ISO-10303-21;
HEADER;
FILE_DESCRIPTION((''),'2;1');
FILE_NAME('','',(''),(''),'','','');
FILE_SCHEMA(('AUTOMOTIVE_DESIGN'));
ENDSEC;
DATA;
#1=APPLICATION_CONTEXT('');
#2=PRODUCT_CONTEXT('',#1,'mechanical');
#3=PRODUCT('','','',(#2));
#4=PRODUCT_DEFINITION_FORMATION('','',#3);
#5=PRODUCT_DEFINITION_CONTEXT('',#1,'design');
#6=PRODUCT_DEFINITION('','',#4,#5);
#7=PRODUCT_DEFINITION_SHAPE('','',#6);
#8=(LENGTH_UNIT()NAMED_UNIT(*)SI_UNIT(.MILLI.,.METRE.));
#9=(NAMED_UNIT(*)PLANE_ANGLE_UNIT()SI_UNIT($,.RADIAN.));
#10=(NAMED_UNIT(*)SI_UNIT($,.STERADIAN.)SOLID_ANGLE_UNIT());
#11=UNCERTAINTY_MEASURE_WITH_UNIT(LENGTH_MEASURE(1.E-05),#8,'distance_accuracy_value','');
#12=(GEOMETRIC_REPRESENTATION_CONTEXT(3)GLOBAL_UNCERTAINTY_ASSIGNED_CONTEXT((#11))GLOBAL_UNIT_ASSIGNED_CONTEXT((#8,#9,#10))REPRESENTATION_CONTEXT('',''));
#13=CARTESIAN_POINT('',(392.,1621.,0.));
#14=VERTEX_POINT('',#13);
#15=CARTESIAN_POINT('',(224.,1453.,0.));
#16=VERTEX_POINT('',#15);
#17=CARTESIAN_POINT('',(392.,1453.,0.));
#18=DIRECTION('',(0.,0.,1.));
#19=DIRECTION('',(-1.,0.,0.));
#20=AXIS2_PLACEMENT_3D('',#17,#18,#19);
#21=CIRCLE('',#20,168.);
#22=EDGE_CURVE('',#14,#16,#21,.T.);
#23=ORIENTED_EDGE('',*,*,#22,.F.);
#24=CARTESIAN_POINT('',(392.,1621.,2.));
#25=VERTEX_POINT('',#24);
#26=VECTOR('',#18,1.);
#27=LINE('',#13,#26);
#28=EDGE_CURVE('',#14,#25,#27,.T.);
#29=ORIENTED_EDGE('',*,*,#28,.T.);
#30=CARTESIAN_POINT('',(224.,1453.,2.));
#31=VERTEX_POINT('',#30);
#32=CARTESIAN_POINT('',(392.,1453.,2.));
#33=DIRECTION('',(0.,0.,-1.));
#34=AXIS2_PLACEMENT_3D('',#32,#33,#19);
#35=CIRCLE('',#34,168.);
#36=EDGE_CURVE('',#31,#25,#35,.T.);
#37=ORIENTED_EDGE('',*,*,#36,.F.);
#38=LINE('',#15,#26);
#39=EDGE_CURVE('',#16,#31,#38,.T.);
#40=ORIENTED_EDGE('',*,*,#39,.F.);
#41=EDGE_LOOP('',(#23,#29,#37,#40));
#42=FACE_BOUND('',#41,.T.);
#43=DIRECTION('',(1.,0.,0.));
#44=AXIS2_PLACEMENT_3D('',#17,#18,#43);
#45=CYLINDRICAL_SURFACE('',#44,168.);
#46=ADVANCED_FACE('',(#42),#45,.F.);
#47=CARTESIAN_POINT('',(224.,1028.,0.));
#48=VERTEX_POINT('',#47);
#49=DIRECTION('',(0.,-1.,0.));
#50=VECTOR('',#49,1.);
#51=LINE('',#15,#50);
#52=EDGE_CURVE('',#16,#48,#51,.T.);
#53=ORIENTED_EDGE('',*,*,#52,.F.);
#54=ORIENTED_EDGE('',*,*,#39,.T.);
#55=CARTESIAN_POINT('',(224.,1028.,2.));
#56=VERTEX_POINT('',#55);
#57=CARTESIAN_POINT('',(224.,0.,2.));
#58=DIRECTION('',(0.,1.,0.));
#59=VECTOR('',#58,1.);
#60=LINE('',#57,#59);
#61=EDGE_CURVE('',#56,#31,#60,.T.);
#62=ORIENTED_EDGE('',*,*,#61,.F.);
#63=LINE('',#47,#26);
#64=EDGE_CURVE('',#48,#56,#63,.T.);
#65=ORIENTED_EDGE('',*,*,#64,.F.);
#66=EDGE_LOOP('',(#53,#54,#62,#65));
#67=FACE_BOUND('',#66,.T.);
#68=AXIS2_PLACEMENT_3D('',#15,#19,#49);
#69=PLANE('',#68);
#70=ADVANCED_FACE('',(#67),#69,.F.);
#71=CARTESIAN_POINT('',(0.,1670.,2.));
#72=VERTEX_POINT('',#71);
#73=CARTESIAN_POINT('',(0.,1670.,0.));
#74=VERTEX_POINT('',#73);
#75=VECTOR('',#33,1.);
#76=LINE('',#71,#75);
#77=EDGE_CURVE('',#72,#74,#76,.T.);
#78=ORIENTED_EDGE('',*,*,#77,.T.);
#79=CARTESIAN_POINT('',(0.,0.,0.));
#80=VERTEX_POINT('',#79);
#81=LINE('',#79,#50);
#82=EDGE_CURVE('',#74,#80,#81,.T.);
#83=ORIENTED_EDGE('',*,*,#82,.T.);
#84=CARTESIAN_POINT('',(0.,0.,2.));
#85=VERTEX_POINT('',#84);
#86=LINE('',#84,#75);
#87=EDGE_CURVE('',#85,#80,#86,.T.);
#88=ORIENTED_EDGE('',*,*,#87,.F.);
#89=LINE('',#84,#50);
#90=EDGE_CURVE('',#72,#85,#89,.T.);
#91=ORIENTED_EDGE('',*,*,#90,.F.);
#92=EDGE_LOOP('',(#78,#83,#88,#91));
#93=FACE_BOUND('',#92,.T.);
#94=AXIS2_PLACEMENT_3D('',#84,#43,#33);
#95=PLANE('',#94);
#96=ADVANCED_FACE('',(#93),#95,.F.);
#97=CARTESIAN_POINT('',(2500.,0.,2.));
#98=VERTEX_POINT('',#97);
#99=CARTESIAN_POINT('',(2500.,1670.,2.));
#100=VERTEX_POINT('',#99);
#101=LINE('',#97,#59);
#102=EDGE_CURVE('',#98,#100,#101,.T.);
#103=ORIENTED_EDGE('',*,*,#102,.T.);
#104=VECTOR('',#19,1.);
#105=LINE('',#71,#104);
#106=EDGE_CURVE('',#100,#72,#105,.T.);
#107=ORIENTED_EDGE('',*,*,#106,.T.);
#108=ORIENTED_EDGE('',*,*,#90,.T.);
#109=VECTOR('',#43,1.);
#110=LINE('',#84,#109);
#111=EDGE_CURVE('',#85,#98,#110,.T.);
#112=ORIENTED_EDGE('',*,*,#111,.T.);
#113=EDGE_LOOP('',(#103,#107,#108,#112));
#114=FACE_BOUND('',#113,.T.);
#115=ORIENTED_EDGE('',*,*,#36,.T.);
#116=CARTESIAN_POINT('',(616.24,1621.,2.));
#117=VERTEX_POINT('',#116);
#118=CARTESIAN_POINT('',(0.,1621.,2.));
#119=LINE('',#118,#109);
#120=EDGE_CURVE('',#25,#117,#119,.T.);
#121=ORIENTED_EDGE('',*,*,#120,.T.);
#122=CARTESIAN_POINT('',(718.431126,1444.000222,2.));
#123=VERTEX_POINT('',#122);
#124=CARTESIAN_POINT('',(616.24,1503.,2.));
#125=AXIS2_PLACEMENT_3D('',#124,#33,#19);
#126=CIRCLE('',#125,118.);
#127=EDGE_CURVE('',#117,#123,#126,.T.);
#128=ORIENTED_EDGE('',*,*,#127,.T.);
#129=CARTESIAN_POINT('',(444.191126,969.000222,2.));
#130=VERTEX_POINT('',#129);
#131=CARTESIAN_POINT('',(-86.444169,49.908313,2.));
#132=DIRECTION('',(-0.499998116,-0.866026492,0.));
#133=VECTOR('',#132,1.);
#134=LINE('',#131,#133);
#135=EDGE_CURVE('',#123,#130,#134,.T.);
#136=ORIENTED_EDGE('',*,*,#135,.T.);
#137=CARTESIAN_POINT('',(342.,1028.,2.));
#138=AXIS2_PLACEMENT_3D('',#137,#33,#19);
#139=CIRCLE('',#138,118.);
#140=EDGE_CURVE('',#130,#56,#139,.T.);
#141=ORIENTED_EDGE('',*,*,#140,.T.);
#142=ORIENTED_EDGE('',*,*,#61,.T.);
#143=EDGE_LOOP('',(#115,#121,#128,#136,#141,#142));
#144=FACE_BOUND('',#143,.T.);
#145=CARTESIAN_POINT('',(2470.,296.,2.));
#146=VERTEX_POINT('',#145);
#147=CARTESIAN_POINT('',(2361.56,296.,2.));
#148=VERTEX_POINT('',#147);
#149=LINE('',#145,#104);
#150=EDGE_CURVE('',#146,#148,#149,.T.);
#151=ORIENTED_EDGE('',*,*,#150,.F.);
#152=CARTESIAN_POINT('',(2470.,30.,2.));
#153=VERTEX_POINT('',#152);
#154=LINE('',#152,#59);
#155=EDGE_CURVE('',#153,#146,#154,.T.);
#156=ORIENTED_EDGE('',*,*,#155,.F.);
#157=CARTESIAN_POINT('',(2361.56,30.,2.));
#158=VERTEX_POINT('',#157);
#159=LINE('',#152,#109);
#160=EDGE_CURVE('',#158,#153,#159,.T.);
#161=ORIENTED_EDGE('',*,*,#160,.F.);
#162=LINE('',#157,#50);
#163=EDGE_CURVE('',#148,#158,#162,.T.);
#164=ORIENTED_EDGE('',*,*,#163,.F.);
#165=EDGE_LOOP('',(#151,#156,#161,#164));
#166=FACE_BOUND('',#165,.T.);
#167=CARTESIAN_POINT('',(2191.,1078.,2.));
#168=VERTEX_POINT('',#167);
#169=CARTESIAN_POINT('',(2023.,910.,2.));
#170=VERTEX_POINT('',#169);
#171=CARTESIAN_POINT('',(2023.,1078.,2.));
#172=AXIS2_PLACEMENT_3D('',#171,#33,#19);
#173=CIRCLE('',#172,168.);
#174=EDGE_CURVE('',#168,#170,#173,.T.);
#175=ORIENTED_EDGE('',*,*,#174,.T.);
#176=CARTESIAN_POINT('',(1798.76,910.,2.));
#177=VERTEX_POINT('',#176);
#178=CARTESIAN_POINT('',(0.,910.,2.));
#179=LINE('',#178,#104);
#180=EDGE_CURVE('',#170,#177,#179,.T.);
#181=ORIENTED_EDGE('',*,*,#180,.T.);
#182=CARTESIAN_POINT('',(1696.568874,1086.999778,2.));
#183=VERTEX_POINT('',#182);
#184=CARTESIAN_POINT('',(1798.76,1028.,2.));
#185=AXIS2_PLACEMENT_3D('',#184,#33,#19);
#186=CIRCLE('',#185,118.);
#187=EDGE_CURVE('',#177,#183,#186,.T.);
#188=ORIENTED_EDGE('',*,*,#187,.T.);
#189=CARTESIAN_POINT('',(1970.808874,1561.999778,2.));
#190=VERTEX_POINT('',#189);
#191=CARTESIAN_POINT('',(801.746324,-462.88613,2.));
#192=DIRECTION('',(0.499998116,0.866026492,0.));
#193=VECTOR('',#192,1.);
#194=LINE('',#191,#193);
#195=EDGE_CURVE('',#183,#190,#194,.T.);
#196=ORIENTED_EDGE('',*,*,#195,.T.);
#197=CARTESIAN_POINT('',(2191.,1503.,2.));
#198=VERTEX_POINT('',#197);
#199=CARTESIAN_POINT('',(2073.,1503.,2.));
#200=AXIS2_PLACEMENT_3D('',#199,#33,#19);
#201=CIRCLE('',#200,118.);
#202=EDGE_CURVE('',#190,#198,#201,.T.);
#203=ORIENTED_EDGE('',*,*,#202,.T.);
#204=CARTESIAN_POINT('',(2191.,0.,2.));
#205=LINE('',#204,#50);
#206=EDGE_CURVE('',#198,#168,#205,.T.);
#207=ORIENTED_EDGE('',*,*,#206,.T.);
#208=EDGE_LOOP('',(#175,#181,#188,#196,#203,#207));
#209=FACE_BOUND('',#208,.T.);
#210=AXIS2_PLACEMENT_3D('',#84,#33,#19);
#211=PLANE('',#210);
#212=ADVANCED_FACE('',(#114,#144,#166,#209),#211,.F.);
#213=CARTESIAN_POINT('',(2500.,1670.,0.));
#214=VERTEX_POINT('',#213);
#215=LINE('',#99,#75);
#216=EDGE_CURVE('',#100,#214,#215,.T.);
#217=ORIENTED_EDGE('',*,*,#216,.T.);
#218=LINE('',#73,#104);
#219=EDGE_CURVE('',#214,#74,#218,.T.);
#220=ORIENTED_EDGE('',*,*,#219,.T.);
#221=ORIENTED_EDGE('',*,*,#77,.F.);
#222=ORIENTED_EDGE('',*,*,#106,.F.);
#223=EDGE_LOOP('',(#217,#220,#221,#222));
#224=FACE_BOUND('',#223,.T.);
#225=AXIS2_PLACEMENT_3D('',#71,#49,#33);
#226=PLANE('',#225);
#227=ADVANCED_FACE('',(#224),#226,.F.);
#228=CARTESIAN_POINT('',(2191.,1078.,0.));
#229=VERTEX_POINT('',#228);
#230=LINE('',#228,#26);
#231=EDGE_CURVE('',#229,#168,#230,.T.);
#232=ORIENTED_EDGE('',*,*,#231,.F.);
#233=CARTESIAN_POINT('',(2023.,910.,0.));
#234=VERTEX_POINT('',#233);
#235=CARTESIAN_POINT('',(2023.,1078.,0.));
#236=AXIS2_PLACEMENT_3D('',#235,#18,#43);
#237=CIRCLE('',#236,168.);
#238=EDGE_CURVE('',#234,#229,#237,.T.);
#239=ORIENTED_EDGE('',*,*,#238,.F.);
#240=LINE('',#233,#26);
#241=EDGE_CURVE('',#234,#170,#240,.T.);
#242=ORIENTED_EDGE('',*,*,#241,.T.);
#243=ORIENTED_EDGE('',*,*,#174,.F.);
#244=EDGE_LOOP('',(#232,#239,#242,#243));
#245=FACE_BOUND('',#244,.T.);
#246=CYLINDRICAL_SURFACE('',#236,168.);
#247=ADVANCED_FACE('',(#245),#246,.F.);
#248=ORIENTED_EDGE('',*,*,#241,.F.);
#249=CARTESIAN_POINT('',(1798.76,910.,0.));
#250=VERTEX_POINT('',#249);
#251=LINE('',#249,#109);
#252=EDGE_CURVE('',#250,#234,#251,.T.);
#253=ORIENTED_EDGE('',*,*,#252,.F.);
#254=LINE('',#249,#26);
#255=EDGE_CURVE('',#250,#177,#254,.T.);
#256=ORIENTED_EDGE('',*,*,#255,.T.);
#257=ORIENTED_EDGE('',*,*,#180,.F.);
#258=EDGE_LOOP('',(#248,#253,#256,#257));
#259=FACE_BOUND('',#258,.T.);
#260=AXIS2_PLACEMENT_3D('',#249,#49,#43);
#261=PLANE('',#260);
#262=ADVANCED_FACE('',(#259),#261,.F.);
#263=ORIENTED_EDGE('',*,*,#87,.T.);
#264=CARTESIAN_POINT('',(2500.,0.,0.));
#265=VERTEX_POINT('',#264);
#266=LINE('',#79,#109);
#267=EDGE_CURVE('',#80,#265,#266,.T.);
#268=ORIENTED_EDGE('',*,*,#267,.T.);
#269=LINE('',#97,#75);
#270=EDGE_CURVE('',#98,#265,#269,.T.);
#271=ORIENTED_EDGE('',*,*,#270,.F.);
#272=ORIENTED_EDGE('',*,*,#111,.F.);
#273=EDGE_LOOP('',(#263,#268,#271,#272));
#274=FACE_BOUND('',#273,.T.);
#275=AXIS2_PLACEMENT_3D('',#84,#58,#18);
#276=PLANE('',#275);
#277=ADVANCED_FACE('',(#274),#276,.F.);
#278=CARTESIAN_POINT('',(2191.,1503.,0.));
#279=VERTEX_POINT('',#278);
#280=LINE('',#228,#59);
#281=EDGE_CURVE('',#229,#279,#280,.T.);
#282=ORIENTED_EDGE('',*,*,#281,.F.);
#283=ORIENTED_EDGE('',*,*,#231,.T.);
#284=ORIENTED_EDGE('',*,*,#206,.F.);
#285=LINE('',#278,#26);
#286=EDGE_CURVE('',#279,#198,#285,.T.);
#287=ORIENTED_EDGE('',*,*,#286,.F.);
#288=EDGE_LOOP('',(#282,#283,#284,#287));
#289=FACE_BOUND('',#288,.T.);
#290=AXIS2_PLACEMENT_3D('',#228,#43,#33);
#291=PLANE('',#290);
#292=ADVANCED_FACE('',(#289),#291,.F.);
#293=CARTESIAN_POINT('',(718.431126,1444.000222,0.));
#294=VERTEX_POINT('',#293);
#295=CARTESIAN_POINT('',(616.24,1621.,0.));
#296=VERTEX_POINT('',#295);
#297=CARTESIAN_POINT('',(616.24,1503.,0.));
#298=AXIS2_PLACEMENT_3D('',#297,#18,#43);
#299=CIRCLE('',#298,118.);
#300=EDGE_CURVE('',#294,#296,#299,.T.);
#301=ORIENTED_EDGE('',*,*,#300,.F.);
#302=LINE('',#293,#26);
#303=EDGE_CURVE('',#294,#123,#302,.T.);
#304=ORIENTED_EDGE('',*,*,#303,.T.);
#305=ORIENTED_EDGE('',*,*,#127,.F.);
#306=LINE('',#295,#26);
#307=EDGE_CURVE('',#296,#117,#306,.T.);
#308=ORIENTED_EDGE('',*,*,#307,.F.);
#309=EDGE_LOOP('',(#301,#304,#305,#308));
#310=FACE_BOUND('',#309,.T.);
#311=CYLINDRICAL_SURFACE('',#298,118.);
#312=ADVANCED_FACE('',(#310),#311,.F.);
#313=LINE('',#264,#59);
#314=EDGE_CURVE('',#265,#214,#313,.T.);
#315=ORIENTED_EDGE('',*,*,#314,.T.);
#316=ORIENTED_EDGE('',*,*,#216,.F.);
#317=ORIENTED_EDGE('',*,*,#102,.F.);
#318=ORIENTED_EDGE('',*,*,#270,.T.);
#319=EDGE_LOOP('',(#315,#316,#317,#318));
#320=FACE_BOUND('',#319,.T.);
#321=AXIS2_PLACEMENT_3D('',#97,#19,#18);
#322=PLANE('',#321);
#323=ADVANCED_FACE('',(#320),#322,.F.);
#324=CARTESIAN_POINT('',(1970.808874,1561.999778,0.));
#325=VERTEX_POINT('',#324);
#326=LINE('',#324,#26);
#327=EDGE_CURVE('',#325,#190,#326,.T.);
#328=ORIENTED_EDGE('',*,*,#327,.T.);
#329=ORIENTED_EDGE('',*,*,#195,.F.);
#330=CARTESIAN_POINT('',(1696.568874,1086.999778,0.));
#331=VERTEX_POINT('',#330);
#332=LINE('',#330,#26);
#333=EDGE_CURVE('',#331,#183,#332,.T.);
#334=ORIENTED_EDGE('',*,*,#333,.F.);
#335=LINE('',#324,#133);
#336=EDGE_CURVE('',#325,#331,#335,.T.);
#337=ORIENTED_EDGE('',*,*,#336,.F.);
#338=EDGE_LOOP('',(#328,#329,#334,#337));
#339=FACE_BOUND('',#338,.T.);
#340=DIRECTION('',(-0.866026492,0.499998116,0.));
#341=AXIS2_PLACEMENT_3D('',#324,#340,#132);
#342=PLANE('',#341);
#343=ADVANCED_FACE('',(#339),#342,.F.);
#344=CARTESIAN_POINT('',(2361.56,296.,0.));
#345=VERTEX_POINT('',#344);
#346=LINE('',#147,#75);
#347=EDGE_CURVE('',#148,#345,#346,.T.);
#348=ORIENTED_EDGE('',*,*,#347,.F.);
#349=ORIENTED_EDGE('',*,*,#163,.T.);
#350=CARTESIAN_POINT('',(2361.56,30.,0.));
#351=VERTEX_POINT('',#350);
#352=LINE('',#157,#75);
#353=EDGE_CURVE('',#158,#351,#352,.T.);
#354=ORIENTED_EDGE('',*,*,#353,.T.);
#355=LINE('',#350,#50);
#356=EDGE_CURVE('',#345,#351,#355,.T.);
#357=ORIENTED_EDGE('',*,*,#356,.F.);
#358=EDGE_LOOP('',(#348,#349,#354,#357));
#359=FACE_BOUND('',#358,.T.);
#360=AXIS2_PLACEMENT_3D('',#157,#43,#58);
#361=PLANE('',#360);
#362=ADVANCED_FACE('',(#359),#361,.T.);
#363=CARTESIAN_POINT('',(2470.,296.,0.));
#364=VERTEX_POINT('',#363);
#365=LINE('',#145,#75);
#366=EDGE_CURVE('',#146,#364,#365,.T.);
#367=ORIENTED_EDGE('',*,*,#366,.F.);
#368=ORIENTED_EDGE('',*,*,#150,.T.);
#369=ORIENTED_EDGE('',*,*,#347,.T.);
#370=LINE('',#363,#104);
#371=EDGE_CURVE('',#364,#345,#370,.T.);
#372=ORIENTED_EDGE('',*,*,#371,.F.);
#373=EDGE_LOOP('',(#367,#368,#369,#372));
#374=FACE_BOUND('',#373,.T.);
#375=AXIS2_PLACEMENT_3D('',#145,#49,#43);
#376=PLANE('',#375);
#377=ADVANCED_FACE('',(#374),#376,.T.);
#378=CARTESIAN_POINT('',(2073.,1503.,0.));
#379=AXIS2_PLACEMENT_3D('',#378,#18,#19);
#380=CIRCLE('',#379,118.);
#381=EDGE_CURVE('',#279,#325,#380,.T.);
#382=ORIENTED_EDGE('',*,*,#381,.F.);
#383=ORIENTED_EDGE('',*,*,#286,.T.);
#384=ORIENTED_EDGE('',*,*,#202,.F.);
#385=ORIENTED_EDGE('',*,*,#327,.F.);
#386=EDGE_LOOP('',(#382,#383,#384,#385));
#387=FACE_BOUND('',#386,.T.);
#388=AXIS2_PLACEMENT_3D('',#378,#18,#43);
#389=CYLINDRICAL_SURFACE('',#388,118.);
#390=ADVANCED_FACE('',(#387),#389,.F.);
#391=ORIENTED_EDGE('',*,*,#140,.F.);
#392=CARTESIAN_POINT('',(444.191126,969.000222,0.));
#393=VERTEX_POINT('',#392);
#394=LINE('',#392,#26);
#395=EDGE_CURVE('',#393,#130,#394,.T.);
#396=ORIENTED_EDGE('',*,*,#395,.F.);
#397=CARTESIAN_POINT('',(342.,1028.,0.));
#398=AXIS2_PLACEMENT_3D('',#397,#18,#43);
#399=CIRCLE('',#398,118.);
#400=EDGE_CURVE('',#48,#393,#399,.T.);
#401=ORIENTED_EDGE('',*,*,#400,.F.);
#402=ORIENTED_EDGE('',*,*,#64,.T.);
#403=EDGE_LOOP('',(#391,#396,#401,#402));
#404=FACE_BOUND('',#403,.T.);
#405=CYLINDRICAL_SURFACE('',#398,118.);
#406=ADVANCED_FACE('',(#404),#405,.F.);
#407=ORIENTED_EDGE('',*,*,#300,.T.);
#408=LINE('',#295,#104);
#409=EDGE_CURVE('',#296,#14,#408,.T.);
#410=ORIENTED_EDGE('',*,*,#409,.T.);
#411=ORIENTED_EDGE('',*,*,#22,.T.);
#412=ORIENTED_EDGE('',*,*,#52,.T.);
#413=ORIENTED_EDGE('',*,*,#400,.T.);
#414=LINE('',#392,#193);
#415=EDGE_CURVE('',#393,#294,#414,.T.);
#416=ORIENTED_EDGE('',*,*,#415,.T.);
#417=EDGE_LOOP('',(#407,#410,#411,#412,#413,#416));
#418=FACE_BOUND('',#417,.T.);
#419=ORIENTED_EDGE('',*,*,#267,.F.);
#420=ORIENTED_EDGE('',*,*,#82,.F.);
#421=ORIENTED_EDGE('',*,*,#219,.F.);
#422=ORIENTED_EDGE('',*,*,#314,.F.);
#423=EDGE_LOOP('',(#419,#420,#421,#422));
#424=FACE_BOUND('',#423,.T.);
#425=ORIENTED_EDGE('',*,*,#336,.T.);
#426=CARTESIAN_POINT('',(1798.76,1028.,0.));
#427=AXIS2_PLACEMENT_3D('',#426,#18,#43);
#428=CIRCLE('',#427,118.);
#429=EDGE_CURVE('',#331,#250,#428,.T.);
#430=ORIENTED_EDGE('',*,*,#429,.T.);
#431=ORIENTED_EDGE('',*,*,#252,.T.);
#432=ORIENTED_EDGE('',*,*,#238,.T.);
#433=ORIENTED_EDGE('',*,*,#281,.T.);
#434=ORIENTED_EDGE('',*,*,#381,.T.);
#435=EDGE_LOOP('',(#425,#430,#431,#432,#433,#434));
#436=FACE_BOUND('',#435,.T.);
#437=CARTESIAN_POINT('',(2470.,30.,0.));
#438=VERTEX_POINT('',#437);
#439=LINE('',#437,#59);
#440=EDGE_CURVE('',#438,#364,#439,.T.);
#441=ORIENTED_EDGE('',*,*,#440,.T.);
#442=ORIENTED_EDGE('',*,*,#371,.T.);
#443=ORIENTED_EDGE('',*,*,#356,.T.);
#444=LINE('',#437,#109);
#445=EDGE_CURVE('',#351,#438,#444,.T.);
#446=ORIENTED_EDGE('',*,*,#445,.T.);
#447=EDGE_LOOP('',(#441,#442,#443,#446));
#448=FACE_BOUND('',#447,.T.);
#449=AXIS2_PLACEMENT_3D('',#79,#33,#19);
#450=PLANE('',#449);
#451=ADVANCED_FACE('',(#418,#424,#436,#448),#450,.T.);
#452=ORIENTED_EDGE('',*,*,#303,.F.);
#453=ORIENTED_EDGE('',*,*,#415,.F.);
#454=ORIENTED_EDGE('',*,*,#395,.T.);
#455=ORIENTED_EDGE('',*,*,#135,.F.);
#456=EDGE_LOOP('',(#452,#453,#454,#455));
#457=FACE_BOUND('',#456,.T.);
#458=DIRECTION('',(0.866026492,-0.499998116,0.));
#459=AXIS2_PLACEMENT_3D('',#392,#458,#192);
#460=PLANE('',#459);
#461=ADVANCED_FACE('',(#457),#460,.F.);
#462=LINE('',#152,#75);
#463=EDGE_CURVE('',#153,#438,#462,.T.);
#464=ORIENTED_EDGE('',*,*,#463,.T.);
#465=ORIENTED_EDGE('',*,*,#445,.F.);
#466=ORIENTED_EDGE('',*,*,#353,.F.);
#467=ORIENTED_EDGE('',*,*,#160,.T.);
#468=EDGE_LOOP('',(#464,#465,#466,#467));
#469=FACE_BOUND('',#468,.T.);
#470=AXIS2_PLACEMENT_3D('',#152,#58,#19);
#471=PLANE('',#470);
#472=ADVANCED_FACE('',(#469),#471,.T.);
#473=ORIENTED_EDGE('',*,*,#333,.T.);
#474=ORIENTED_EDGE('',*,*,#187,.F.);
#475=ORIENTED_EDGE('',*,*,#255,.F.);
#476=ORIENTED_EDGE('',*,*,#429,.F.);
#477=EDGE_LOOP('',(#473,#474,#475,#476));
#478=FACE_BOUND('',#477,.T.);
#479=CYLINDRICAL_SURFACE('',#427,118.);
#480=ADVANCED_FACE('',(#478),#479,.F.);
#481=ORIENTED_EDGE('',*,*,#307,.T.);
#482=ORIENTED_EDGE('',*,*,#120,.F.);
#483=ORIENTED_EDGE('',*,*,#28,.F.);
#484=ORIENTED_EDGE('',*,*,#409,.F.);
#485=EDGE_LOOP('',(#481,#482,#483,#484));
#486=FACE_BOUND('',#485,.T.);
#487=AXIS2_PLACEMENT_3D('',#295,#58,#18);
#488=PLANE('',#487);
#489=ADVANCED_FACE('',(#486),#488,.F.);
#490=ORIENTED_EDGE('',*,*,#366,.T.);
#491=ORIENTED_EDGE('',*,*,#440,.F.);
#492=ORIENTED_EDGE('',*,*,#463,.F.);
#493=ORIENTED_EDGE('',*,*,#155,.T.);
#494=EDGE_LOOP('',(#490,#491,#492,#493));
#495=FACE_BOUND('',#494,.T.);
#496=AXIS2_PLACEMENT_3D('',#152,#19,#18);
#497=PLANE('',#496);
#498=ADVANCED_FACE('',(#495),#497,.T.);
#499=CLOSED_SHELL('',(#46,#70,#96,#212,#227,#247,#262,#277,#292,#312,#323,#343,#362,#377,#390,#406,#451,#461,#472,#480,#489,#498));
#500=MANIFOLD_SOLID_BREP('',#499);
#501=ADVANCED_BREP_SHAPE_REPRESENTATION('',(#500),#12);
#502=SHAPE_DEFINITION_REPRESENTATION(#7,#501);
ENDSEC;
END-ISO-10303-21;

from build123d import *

# Parameters (mm, degrees)
SKETCH1_W           = 2500
SKETCH1_H           = 1670
SKETCH1_W_2         = 108.44
SKETCH1_H_2         = 266
BOSS_EXTRUDE1_DEPTH = 2
CUT_EXTRUDE1_DEPTH  = 2994.515882891


with BuildPart() as part:
    # Sketch1 → Boss-Extrude1 (new body)
    with BuildSketch(Plane.XY):
        with Locations((1250, 835)):
            Rectangle(SKETCH1_W, SKETCH1_H)
        with Locations((2415.78, 163)):
            Rectangle(SKETCH1_W_2, SKETCH1_H_2, mode=Mode.SUBTRACT)
    extrude(amount=BOSS_EXTRUDE1_DEPTH)

    # Sketch2 → Cut-Extrude1 (cut, through all)
    with BuildSketch(Plane(origin=(471.963517843, -531.616762327, 33), x_dir=(1, 0, 0), z_dir=(0, 0, 1))):
        with BuildLine():
            Line((1498.845356152, 2093.616540003), (1224.605356152, 1618.616540003))
            ThreePointArc((1224.605356152, 1618.616540003), (1224.605548691, 1500.616651165), (1326.796482157, 1441.616762327))
            Line((1326.796482157, 1441.616762327), (1551.036482157, 1441.616762327))
            ThreePointArc((1551.036482157, 1441.616762327), (1669.830421397, 1490.822823088), (1719.036482157, 1609.616762327))
            Line((1719.036482157, 1609.616762327), (1719.036482157, 2034.616762327))
            ThreePointArc((1719.036482157, 2034.616762327), (1631.577005494, 2148.596043051), (1498.845356152, 2093.616540003))
        make_face()
        with BuildLine():
            Line((-247.963517843, 1984.616762327), (-247.963517843, 1559.616762327))
            ThreePointArc((-247.963517843, 1559.616762327), (-160.504041179, 1445.637481603), (-27.772391837, 1500.616984652))
            Line((-27.772391837, 1500.616984652), (246.467608163, 1975.616984652))
            ThreePointArc((246.467608163, 1975.616984652), (246.467415624, 2093.61687349), (144.276482157, 2152.616762327))
            Line((144.276482157, 2152.616762327), (-79.963517843, 2152.616762327))
            ThreePointArc((-79.963517843, 2152.616762327), (-198.757457082, 2103.410701567), (-247.963517843, 1984.616762327))
        make_face()
    extrude(amount=-CUT_EXTRUDE1_DEPTH, mode=Mode.SUBTRACT)


solid = part.part
